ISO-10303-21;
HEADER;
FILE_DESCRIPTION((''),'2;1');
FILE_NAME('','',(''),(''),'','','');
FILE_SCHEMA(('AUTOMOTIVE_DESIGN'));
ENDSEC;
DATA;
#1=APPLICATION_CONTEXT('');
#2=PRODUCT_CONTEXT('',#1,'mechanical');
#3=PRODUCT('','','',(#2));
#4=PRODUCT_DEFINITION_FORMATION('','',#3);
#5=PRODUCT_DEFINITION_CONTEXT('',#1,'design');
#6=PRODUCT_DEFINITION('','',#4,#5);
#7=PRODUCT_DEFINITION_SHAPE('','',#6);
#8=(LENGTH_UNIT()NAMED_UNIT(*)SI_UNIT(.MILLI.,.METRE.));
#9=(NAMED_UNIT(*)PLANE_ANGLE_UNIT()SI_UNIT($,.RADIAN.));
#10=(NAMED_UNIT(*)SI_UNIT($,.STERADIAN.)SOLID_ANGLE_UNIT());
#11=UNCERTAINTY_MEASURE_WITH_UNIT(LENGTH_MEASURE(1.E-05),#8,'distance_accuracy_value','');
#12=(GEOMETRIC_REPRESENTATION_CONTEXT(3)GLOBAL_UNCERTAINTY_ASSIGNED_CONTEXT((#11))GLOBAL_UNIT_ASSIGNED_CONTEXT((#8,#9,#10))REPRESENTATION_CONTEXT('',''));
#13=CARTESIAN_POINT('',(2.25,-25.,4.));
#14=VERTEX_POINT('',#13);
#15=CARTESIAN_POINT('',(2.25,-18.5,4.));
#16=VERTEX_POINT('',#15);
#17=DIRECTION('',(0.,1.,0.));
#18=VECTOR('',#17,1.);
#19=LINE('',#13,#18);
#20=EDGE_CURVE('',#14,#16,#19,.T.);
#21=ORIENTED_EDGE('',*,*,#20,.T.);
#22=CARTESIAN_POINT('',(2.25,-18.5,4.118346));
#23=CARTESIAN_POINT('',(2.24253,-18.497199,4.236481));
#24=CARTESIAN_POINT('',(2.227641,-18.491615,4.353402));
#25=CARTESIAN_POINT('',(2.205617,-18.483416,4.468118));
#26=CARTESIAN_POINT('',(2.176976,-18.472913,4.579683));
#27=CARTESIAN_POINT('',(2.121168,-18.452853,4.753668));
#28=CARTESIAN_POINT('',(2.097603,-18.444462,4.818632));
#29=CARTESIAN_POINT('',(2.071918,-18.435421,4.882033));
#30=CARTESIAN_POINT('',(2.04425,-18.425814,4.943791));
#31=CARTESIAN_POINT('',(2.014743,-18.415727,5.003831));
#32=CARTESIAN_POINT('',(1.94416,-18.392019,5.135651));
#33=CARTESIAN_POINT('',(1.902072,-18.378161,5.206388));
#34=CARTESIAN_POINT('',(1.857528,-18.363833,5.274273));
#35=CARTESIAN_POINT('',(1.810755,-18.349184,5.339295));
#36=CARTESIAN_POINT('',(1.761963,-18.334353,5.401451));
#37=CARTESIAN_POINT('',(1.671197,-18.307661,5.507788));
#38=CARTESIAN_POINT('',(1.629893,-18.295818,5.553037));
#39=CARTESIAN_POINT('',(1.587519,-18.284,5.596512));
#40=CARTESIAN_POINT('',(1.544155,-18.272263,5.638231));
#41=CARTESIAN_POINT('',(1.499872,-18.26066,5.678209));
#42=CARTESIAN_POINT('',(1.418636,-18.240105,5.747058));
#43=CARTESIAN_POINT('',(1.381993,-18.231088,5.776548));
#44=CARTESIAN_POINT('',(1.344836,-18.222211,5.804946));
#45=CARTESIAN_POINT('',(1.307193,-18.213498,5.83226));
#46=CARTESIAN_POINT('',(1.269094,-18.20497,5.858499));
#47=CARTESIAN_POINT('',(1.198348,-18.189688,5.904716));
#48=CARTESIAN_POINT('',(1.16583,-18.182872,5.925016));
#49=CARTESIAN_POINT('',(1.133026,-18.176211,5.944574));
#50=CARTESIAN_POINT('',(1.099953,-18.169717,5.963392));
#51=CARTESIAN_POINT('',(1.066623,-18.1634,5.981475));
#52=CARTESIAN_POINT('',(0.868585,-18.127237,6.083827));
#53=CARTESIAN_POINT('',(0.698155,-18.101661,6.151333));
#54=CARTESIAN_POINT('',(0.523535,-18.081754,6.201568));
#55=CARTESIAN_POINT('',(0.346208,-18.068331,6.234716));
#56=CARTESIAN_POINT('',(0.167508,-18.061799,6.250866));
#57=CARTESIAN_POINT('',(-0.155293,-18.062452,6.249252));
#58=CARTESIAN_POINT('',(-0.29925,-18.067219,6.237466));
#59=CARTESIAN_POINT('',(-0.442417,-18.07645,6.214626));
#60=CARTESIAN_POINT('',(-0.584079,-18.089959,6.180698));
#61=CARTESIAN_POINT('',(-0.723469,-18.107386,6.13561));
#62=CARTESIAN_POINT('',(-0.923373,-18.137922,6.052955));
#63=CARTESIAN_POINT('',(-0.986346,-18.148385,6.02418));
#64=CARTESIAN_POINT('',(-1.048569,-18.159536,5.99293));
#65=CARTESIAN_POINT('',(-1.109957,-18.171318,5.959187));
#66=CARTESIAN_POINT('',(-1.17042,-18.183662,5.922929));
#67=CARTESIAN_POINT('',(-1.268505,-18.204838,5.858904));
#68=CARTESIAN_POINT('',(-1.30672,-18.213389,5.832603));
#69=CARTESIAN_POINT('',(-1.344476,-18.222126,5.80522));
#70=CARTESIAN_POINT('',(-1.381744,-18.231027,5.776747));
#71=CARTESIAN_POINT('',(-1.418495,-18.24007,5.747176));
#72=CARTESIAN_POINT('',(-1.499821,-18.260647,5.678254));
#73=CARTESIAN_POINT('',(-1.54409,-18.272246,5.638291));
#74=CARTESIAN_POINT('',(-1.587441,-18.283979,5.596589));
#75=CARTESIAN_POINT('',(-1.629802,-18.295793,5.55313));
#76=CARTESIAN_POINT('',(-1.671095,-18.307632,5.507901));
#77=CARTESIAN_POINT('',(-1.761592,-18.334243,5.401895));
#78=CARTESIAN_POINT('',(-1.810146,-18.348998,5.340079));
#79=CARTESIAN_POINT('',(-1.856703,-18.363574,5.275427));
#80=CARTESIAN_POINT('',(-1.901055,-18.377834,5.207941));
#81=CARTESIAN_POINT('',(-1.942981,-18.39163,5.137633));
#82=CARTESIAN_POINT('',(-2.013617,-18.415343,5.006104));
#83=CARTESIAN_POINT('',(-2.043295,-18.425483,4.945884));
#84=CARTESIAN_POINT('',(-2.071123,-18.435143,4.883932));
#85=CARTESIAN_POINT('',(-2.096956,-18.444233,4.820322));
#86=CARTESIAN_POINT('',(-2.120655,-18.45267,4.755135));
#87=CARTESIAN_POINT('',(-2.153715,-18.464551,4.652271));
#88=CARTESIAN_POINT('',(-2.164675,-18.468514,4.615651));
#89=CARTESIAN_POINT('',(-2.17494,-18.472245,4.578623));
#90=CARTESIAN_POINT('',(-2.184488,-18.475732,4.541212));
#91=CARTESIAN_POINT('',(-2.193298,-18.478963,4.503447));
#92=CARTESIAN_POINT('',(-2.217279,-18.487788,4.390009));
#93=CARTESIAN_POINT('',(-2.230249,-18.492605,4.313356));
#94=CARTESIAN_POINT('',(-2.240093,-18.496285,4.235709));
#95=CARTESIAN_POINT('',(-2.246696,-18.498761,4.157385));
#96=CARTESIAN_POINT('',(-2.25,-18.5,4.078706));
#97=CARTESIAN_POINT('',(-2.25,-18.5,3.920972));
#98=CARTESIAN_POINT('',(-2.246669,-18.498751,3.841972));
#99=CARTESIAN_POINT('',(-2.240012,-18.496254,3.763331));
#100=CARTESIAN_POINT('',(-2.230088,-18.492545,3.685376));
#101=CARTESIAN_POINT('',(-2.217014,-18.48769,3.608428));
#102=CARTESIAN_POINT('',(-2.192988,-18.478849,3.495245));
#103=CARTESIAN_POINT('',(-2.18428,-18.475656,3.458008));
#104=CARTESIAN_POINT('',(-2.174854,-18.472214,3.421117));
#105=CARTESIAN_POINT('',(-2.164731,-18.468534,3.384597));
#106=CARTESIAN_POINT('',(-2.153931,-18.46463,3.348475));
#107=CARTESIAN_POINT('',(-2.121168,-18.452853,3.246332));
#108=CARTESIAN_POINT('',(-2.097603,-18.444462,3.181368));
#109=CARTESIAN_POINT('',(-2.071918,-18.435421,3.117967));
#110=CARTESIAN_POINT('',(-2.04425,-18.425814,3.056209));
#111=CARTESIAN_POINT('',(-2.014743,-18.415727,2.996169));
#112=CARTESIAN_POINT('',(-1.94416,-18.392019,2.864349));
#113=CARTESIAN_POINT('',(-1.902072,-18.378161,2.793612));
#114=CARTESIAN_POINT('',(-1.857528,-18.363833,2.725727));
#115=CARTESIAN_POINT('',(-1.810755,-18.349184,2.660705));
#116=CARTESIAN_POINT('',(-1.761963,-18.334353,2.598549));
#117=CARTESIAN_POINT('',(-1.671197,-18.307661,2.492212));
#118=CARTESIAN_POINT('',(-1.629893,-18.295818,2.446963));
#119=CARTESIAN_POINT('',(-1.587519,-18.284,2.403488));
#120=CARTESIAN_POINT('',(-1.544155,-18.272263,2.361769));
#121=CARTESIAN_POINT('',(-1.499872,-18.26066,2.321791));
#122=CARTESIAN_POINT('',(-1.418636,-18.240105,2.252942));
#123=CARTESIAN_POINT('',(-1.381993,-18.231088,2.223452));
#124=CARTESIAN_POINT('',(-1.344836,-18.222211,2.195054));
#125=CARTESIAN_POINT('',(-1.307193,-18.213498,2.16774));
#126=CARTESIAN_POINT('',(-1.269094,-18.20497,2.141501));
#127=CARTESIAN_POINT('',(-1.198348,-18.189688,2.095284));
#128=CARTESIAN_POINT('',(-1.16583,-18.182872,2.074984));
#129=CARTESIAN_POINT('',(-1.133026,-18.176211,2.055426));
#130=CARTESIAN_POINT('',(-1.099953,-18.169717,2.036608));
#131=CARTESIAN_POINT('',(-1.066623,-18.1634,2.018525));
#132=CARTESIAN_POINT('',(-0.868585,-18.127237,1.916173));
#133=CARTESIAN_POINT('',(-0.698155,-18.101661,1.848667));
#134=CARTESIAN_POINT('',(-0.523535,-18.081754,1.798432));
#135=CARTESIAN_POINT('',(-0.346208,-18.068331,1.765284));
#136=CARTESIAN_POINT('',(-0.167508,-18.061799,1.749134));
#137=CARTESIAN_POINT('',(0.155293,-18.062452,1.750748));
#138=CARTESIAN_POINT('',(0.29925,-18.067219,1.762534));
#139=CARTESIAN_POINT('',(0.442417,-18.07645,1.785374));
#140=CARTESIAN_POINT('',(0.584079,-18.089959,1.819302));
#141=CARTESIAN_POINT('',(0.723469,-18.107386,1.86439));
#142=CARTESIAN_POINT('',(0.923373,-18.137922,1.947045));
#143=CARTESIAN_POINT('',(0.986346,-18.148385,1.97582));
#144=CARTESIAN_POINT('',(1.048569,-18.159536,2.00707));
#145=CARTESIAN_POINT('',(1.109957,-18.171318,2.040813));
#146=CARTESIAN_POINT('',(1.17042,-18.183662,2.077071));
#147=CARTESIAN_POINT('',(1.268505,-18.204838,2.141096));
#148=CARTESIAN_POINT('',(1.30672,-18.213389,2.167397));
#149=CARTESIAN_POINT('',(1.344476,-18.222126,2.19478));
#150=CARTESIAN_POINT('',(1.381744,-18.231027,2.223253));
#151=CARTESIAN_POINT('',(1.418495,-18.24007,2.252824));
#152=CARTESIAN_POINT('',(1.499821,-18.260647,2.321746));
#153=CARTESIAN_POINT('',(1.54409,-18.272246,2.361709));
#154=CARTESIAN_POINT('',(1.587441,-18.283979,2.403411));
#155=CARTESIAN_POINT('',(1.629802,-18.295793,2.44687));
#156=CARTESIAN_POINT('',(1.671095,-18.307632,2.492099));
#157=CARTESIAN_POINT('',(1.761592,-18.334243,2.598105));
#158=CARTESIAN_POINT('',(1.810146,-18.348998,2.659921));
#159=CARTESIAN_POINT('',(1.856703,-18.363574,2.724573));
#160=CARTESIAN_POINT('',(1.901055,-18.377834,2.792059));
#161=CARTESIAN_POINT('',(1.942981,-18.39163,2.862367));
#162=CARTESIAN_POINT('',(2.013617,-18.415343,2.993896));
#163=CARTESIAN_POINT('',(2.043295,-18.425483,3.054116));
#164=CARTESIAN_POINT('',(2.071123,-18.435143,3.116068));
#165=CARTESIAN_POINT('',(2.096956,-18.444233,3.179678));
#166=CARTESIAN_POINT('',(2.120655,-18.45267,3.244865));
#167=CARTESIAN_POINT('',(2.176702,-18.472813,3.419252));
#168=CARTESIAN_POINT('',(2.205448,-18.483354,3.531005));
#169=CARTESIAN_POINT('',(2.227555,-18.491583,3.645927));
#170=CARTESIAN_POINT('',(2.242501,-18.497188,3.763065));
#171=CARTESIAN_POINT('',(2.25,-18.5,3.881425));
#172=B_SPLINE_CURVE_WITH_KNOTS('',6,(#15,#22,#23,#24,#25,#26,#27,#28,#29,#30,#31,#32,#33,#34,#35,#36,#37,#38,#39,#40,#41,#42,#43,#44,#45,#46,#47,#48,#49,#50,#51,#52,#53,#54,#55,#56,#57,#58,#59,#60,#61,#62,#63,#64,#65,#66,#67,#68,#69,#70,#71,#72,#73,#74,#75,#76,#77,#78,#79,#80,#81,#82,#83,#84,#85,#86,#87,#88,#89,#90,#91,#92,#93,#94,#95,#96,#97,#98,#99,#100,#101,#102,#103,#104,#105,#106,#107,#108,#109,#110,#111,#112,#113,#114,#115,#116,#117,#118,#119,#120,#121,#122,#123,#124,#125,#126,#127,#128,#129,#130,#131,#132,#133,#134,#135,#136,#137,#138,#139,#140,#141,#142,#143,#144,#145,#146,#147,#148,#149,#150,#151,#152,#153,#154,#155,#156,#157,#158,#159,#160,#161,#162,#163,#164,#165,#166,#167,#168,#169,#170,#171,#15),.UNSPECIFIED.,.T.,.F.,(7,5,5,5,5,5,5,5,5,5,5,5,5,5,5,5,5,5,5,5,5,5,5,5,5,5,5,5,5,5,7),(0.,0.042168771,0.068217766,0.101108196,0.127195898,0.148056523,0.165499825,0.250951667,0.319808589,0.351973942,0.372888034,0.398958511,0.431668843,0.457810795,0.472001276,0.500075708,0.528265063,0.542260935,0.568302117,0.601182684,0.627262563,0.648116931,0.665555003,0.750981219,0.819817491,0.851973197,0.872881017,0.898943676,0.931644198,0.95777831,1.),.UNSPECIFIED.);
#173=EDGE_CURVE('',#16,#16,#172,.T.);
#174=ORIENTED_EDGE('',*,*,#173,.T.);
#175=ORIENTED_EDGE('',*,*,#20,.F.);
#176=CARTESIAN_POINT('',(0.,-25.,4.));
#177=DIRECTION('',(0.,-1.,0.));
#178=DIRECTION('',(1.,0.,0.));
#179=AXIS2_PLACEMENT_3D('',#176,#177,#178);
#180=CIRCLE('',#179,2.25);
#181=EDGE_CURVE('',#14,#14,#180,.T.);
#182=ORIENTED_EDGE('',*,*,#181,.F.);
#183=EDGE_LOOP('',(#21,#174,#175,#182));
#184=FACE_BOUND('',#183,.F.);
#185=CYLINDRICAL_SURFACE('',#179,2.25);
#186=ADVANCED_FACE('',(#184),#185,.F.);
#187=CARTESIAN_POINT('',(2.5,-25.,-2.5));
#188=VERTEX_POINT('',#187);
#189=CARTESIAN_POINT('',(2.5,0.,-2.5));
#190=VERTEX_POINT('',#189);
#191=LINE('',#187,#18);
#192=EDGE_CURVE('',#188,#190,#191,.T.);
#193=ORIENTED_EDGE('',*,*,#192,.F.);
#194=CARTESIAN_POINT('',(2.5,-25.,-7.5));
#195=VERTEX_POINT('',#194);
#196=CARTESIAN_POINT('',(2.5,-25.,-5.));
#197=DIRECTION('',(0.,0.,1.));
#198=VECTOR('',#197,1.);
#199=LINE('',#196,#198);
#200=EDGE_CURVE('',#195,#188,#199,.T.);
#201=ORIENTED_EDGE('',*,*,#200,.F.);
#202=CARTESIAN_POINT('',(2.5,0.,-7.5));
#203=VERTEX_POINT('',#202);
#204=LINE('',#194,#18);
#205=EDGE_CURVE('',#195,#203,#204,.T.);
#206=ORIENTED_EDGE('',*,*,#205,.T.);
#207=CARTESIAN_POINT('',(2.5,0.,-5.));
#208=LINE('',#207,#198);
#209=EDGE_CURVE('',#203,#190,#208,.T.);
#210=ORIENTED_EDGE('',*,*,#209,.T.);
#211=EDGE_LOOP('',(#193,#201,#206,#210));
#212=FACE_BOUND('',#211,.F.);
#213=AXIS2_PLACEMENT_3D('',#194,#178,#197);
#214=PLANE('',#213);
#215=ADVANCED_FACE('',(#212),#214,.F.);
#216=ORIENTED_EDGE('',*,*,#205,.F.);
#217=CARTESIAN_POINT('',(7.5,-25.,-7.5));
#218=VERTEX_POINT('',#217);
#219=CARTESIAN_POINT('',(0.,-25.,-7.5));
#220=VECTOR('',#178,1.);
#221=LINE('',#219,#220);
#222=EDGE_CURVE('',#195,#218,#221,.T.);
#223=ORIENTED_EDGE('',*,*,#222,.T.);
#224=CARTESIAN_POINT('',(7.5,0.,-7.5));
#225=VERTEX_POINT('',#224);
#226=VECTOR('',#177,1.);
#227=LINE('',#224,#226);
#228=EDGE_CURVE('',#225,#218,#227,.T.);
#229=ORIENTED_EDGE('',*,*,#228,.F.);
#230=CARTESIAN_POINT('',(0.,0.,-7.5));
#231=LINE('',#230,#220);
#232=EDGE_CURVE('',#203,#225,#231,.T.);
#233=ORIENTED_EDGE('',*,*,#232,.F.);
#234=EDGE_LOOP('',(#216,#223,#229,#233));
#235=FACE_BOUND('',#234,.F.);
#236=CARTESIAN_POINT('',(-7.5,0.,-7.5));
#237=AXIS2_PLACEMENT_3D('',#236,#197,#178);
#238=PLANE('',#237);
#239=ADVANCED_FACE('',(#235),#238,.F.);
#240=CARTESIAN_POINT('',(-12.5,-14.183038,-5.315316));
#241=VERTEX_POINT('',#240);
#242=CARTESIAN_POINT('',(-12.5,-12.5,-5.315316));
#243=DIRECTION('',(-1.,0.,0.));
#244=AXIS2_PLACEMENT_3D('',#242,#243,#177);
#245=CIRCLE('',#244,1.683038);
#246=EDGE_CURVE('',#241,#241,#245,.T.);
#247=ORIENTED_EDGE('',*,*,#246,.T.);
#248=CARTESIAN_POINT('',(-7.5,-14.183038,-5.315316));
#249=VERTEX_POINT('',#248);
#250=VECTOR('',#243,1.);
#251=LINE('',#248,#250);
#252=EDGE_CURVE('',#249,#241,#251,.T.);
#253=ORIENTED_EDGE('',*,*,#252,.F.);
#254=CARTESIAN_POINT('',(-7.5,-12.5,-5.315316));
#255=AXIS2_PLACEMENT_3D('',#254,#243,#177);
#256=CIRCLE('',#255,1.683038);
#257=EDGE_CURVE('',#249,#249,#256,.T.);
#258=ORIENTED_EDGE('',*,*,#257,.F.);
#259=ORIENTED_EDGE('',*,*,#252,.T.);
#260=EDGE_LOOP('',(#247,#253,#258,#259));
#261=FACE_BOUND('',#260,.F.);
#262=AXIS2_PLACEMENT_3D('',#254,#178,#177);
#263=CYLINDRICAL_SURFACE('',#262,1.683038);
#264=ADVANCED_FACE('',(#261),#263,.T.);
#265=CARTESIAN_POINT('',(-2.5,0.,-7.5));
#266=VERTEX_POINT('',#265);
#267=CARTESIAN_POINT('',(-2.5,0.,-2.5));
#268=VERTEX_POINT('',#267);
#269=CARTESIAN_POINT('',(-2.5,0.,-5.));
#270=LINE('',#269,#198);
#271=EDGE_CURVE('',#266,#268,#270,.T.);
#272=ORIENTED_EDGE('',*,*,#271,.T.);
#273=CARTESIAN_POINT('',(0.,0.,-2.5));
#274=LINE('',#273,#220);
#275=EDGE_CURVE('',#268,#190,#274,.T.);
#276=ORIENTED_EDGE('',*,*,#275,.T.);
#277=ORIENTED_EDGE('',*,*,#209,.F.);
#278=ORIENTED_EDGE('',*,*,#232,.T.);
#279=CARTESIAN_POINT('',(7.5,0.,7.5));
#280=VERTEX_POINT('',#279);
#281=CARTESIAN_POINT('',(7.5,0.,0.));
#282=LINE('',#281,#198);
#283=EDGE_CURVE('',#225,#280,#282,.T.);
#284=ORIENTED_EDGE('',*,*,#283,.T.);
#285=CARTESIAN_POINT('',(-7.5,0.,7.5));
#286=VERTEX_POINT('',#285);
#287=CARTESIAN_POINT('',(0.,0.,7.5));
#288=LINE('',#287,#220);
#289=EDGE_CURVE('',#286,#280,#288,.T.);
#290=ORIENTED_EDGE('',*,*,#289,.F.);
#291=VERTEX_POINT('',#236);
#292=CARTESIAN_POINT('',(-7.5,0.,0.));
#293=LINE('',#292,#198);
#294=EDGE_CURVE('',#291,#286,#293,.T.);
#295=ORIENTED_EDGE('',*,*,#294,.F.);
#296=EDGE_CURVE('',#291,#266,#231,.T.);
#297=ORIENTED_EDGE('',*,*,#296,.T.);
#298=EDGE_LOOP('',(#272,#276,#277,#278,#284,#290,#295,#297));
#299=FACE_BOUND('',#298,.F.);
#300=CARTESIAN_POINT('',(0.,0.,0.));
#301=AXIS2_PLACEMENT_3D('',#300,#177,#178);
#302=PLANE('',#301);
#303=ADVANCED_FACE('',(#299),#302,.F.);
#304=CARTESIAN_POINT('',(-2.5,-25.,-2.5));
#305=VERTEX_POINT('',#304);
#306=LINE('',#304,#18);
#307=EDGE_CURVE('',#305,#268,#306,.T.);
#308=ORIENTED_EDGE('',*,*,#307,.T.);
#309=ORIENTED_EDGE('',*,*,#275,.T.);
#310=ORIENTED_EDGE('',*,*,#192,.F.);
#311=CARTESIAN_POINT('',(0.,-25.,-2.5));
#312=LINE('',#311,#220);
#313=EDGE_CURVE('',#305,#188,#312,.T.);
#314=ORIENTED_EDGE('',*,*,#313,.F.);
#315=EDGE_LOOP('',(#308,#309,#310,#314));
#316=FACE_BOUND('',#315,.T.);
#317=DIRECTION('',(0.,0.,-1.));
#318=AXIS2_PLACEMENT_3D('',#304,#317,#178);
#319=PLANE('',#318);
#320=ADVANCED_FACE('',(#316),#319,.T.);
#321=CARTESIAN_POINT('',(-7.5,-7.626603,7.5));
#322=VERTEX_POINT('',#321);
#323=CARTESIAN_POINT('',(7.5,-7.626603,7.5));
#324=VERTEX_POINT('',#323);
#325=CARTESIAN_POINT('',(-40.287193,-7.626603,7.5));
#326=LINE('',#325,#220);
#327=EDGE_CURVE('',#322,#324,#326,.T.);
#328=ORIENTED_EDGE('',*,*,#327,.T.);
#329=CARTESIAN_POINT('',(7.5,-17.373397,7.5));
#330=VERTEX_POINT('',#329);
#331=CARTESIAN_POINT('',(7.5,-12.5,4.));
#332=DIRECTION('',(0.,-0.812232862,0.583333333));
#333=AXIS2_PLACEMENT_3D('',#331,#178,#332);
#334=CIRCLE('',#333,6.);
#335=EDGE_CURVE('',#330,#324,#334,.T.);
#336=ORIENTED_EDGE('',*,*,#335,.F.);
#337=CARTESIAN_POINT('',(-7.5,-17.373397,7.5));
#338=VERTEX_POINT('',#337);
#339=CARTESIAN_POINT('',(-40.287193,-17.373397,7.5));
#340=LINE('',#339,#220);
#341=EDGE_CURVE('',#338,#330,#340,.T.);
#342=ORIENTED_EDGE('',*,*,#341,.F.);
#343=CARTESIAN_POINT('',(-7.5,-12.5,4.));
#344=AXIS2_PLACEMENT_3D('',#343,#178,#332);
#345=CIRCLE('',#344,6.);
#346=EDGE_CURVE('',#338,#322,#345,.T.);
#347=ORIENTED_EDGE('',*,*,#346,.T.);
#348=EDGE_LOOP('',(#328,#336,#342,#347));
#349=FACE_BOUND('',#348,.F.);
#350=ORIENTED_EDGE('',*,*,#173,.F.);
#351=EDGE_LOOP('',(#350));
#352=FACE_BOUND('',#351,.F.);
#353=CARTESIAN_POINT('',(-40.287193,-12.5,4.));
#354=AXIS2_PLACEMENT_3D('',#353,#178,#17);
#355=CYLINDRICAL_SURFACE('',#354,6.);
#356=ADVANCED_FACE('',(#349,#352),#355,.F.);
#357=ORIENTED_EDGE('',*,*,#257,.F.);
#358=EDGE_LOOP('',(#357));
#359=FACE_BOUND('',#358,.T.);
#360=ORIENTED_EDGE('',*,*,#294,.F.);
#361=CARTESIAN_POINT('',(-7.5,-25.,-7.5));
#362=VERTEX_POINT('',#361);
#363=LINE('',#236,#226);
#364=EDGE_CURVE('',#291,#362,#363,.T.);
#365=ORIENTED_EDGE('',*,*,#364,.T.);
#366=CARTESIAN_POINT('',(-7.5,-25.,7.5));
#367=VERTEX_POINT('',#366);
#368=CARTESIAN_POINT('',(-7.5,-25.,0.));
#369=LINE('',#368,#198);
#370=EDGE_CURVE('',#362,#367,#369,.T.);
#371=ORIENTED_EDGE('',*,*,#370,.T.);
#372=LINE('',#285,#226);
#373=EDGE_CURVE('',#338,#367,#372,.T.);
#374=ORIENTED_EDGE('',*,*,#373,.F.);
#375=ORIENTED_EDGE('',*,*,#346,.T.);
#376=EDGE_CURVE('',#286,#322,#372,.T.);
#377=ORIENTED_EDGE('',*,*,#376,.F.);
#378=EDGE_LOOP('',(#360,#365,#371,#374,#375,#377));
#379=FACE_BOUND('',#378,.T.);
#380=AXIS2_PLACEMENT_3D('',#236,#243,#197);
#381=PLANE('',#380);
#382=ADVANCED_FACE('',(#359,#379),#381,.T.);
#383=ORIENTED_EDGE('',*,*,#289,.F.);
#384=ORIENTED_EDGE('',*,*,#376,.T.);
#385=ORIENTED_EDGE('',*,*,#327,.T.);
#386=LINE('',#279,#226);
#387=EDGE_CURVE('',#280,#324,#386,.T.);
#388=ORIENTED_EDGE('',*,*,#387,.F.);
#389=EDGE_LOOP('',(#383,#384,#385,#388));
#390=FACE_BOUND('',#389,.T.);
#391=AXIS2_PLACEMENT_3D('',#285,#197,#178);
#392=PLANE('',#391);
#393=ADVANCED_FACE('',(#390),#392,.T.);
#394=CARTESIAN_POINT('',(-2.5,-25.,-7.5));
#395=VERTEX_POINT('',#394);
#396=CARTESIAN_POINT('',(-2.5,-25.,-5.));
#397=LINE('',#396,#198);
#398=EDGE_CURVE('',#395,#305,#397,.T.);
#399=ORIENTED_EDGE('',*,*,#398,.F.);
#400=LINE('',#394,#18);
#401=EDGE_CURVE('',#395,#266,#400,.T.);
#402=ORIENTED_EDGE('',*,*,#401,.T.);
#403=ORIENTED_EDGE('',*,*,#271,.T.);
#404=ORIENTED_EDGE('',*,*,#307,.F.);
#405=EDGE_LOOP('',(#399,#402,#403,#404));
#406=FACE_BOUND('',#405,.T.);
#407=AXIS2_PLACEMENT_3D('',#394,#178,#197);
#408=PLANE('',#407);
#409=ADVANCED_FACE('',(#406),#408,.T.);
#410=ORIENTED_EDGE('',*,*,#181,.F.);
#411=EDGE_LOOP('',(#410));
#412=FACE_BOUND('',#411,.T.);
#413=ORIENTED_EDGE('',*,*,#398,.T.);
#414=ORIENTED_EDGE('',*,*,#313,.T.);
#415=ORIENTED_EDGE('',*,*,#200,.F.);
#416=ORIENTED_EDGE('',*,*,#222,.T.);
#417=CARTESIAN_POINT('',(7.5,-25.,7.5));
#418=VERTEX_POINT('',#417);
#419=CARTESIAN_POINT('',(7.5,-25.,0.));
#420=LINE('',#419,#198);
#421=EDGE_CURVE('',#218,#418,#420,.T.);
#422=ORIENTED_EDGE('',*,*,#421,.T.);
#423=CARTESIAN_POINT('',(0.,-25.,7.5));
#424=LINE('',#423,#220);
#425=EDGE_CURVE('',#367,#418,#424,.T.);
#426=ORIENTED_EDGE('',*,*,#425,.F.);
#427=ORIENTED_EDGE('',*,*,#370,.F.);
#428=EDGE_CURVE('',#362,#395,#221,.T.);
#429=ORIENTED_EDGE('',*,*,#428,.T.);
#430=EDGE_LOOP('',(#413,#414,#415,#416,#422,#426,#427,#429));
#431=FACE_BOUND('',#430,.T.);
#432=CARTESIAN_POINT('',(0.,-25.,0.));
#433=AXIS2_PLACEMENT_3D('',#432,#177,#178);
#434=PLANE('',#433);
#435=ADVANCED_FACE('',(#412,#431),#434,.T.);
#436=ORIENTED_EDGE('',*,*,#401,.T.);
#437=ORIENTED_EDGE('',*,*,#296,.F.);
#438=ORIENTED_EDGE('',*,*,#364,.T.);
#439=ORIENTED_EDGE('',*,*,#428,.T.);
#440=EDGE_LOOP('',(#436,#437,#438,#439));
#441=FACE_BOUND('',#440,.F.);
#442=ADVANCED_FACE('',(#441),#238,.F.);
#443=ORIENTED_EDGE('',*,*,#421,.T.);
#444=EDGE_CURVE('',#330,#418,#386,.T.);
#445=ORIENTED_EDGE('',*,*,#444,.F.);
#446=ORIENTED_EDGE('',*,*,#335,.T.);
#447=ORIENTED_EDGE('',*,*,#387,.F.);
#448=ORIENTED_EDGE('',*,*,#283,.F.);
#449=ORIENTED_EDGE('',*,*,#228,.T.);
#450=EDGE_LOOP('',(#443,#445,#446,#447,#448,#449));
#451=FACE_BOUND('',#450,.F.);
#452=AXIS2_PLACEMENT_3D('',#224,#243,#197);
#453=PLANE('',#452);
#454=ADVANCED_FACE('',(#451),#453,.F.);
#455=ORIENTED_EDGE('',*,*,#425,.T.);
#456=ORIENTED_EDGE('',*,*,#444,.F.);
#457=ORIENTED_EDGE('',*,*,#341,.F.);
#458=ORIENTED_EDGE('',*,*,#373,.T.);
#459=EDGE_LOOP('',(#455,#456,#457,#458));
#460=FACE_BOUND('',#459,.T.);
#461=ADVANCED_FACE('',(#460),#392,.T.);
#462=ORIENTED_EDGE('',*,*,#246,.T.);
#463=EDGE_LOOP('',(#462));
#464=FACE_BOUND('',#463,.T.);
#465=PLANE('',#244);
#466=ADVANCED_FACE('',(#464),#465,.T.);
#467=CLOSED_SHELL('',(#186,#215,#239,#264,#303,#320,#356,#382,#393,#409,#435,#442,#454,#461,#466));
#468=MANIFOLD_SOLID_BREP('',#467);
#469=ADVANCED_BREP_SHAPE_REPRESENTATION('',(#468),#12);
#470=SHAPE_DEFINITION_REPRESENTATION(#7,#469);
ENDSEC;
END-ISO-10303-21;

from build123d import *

# Parameters (mm, degrees)
F0_W     = 15
F0_H     = 15
F1_DEPTH = 25
F2_W     = 5
F2_H     = 5
F3_DEPTH = 25
F5_D     = 12
F6_R     = 1.6830383024
F7_DEPTH = 5
F8_R     = 2.25
F9_DEPTH = 6.9388512347


with BuildPart() as f1:
    # F0 (on Front) → F1 (new body)
    with BuildSketch(Plane.XZ):
        Rectangle(F0_W, F0_H)
    extrude(amount=F1_DEPTH)

    # F2 (on face) → F3 (cut)
    with BuildSketch(Plane.XZ.offset(25)):
        with Locations((0, -5)):
            Rectangle(F2_W, F2_H)
    extrude(amount=-F3_DEPTH, mode=Mode.SUBTRACT)

    # F5 (through all)
    with Locations(Plane(origin=(-7.5, 0, 0), x_dir=(0, -1, 0), z_dir=(-1, 0, 0))):
        with Locations((12.5, 4)):
            Hole(F5_D / 2)

    # F6 (on face) → F7 (join)
    with BuildSketch(Plane(origin=(-7.5, 0, 0), x_dir=(0, -1, 0), z_dir=(-1, 0, 0))):
        with Locations((12.5, -5.3153163753)):
            Circle(F6_R)
    extrude(amount=F7_DEPTH)

    # F8 (on face) → F9 (cut, through all)
    with BuildSketch(Plane.XZ.offset(25)):
        with Locations((0, 4)):
            Circle(F8_R)
    extrude(amount=-F9_DEPTH, mode=Mode.SUBTRACT)


solid = f1.part
